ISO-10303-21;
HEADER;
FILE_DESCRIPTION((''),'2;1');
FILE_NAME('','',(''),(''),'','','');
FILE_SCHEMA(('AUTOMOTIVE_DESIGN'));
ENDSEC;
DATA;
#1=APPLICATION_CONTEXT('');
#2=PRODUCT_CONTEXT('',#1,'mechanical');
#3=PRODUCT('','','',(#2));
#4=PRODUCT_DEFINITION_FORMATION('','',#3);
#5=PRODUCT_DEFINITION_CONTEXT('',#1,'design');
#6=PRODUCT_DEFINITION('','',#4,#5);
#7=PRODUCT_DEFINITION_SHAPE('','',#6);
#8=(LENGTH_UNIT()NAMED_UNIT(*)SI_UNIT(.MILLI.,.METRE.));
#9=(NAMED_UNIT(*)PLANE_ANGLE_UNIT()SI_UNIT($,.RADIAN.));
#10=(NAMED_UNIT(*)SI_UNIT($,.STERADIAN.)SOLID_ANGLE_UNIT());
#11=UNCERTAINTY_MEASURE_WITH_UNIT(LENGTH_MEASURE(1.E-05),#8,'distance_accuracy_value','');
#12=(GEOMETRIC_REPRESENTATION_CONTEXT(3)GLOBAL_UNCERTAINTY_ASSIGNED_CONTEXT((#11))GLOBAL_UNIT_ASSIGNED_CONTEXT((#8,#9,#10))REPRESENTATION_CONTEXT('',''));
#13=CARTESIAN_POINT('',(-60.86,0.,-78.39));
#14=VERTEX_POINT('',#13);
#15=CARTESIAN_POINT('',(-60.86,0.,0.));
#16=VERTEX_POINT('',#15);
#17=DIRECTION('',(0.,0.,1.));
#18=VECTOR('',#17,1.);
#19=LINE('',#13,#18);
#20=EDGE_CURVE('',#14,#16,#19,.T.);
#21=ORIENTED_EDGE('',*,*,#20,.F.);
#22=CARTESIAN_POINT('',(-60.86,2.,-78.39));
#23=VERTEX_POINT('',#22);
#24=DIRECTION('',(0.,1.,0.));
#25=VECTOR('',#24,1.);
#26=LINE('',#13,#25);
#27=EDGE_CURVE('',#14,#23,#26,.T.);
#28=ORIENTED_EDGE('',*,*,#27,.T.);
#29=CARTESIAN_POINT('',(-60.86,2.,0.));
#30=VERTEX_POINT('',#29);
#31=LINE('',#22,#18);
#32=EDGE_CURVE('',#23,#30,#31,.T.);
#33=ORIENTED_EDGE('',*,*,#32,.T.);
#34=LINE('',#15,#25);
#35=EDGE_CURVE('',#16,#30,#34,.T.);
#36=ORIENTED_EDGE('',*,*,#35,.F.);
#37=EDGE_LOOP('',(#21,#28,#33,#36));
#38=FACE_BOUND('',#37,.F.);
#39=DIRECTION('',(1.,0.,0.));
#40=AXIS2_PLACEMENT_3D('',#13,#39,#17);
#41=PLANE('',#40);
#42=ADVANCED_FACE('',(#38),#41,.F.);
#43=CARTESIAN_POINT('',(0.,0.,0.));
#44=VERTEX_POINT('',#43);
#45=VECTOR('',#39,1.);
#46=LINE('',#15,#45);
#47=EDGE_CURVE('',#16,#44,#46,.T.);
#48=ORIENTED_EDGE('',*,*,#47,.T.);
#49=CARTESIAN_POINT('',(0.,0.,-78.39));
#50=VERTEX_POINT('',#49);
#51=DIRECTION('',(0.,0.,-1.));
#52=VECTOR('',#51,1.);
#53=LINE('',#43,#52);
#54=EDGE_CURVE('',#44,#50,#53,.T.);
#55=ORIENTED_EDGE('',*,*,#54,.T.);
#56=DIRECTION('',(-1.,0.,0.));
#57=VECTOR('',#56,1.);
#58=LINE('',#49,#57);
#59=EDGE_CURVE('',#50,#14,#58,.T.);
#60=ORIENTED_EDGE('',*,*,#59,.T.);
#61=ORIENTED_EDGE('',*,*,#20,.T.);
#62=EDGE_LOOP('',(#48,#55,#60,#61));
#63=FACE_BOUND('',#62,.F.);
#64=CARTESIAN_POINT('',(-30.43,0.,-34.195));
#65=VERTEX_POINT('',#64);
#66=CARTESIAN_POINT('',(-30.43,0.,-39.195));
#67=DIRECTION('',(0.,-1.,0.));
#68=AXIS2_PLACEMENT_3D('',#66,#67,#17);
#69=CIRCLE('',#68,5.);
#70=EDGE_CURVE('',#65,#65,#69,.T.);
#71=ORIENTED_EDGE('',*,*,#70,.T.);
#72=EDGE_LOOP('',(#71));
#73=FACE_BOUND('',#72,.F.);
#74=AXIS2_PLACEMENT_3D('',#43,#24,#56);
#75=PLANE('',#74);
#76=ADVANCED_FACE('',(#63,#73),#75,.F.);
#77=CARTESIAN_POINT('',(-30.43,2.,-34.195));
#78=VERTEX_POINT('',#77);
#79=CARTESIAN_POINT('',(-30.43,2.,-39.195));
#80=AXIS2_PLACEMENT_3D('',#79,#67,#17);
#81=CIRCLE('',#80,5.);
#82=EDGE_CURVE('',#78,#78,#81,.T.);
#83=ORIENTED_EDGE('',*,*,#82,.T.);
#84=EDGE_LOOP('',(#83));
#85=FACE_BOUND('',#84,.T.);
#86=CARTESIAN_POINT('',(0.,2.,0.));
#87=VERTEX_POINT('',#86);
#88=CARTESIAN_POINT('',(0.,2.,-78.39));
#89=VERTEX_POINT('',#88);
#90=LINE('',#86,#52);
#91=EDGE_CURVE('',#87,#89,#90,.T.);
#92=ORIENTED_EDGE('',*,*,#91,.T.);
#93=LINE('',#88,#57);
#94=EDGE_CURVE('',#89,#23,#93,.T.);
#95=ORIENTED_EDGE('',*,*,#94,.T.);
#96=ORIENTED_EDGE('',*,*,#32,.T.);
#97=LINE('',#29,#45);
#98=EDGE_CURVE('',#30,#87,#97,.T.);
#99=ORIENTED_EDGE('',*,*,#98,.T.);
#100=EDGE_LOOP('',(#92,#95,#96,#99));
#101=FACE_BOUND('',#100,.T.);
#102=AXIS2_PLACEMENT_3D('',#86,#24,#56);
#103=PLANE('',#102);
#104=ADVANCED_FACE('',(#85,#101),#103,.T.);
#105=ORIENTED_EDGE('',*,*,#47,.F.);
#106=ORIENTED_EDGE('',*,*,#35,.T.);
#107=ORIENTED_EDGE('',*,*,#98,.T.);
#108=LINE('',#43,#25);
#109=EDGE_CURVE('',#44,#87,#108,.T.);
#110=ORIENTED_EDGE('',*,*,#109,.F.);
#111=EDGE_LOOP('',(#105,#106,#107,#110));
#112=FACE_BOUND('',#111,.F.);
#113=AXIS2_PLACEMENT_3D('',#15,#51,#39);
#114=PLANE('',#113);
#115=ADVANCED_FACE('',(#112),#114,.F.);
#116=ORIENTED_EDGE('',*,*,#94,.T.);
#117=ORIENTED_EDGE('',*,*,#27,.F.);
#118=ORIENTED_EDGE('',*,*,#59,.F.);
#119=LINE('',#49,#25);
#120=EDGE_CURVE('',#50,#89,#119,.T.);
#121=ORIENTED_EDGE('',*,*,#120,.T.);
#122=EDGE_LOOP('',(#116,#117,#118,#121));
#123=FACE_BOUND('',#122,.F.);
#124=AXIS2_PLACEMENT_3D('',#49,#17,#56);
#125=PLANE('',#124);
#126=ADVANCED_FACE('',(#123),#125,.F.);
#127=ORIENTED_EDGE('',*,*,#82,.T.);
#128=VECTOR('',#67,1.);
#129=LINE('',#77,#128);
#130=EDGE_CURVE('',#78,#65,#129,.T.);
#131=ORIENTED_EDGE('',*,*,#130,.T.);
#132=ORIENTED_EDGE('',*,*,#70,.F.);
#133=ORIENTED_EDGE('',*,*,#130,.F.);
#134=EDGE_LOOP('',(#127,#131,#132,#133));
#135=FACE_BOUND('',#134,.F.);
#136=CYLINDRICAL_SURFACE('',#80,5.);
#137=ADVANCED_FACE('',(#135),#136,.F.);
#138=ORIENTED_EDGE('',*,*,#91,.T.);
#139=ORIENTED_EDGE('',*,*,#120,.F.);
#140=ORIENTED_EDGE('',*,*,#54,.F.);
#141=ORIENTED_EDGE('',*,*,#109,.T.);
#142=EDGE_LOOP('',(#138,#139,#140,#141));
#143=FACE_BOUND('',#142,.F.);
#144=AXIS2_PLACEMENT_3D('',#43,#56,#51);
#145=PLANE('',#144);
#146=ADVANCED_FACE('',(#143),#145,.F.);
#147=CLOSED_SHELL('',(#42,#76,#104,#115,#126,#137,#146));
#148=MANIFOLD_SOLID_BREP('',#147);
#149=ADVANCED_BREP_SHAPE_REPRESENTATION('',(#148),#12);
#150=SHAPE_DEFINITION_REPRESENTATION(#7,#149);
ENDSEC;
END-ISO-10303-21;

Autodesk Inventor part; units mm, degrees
ref_plane "YZ Plane" through (0, 0, 0) normal (1, 0, 0) x (0, 1, 0)
ref_plane "XZ Plane" through (0, 0, 0) normal (0, 1, 0) x (-1, 0, 0)
ref_plane "XY Plane" through (0, 0, 0) normal (0, 0, 1) x (1, 0, 0)
sketch "Sketch1" plane through (0, 0, 0) normal (0, 1, 0) x (-1, 0, 0)
  line L0 (60.86, 0) -> (0, 0)
  line L1 (0, 0) -> (0, -78.39)
  line L2 (0, -78.39) -> (60.86, -78.39)
  line L3 (60.86, -78.39) -> (60.86, 0)
  dimension "d0" = 78.39
  dimension "d1" = 60.86
extrude "Extrusion1" add sketch "Sketch1" along normal blind 2
sketch "Sketch2" plane through (0, 2, 0) normal (0, 1, 0) x (1, 0, 0)
  line L0 (0, 78.39) -> (-60.86, 78.39) projected
  line L1 (-60.86, 78.39) -> (-60.86, 0) projected
  point P0 (0, 0)
  point P1 (-30.43, 39.195)
  dimension "d4" = 39.195
  dimension "d5" = 30.43
hole "Hole1" at (-30.43, 2, -39.195) direction (0, -1, 0) diameter 10 end through all
properties part number "pcbProtectiveCaseTop"
